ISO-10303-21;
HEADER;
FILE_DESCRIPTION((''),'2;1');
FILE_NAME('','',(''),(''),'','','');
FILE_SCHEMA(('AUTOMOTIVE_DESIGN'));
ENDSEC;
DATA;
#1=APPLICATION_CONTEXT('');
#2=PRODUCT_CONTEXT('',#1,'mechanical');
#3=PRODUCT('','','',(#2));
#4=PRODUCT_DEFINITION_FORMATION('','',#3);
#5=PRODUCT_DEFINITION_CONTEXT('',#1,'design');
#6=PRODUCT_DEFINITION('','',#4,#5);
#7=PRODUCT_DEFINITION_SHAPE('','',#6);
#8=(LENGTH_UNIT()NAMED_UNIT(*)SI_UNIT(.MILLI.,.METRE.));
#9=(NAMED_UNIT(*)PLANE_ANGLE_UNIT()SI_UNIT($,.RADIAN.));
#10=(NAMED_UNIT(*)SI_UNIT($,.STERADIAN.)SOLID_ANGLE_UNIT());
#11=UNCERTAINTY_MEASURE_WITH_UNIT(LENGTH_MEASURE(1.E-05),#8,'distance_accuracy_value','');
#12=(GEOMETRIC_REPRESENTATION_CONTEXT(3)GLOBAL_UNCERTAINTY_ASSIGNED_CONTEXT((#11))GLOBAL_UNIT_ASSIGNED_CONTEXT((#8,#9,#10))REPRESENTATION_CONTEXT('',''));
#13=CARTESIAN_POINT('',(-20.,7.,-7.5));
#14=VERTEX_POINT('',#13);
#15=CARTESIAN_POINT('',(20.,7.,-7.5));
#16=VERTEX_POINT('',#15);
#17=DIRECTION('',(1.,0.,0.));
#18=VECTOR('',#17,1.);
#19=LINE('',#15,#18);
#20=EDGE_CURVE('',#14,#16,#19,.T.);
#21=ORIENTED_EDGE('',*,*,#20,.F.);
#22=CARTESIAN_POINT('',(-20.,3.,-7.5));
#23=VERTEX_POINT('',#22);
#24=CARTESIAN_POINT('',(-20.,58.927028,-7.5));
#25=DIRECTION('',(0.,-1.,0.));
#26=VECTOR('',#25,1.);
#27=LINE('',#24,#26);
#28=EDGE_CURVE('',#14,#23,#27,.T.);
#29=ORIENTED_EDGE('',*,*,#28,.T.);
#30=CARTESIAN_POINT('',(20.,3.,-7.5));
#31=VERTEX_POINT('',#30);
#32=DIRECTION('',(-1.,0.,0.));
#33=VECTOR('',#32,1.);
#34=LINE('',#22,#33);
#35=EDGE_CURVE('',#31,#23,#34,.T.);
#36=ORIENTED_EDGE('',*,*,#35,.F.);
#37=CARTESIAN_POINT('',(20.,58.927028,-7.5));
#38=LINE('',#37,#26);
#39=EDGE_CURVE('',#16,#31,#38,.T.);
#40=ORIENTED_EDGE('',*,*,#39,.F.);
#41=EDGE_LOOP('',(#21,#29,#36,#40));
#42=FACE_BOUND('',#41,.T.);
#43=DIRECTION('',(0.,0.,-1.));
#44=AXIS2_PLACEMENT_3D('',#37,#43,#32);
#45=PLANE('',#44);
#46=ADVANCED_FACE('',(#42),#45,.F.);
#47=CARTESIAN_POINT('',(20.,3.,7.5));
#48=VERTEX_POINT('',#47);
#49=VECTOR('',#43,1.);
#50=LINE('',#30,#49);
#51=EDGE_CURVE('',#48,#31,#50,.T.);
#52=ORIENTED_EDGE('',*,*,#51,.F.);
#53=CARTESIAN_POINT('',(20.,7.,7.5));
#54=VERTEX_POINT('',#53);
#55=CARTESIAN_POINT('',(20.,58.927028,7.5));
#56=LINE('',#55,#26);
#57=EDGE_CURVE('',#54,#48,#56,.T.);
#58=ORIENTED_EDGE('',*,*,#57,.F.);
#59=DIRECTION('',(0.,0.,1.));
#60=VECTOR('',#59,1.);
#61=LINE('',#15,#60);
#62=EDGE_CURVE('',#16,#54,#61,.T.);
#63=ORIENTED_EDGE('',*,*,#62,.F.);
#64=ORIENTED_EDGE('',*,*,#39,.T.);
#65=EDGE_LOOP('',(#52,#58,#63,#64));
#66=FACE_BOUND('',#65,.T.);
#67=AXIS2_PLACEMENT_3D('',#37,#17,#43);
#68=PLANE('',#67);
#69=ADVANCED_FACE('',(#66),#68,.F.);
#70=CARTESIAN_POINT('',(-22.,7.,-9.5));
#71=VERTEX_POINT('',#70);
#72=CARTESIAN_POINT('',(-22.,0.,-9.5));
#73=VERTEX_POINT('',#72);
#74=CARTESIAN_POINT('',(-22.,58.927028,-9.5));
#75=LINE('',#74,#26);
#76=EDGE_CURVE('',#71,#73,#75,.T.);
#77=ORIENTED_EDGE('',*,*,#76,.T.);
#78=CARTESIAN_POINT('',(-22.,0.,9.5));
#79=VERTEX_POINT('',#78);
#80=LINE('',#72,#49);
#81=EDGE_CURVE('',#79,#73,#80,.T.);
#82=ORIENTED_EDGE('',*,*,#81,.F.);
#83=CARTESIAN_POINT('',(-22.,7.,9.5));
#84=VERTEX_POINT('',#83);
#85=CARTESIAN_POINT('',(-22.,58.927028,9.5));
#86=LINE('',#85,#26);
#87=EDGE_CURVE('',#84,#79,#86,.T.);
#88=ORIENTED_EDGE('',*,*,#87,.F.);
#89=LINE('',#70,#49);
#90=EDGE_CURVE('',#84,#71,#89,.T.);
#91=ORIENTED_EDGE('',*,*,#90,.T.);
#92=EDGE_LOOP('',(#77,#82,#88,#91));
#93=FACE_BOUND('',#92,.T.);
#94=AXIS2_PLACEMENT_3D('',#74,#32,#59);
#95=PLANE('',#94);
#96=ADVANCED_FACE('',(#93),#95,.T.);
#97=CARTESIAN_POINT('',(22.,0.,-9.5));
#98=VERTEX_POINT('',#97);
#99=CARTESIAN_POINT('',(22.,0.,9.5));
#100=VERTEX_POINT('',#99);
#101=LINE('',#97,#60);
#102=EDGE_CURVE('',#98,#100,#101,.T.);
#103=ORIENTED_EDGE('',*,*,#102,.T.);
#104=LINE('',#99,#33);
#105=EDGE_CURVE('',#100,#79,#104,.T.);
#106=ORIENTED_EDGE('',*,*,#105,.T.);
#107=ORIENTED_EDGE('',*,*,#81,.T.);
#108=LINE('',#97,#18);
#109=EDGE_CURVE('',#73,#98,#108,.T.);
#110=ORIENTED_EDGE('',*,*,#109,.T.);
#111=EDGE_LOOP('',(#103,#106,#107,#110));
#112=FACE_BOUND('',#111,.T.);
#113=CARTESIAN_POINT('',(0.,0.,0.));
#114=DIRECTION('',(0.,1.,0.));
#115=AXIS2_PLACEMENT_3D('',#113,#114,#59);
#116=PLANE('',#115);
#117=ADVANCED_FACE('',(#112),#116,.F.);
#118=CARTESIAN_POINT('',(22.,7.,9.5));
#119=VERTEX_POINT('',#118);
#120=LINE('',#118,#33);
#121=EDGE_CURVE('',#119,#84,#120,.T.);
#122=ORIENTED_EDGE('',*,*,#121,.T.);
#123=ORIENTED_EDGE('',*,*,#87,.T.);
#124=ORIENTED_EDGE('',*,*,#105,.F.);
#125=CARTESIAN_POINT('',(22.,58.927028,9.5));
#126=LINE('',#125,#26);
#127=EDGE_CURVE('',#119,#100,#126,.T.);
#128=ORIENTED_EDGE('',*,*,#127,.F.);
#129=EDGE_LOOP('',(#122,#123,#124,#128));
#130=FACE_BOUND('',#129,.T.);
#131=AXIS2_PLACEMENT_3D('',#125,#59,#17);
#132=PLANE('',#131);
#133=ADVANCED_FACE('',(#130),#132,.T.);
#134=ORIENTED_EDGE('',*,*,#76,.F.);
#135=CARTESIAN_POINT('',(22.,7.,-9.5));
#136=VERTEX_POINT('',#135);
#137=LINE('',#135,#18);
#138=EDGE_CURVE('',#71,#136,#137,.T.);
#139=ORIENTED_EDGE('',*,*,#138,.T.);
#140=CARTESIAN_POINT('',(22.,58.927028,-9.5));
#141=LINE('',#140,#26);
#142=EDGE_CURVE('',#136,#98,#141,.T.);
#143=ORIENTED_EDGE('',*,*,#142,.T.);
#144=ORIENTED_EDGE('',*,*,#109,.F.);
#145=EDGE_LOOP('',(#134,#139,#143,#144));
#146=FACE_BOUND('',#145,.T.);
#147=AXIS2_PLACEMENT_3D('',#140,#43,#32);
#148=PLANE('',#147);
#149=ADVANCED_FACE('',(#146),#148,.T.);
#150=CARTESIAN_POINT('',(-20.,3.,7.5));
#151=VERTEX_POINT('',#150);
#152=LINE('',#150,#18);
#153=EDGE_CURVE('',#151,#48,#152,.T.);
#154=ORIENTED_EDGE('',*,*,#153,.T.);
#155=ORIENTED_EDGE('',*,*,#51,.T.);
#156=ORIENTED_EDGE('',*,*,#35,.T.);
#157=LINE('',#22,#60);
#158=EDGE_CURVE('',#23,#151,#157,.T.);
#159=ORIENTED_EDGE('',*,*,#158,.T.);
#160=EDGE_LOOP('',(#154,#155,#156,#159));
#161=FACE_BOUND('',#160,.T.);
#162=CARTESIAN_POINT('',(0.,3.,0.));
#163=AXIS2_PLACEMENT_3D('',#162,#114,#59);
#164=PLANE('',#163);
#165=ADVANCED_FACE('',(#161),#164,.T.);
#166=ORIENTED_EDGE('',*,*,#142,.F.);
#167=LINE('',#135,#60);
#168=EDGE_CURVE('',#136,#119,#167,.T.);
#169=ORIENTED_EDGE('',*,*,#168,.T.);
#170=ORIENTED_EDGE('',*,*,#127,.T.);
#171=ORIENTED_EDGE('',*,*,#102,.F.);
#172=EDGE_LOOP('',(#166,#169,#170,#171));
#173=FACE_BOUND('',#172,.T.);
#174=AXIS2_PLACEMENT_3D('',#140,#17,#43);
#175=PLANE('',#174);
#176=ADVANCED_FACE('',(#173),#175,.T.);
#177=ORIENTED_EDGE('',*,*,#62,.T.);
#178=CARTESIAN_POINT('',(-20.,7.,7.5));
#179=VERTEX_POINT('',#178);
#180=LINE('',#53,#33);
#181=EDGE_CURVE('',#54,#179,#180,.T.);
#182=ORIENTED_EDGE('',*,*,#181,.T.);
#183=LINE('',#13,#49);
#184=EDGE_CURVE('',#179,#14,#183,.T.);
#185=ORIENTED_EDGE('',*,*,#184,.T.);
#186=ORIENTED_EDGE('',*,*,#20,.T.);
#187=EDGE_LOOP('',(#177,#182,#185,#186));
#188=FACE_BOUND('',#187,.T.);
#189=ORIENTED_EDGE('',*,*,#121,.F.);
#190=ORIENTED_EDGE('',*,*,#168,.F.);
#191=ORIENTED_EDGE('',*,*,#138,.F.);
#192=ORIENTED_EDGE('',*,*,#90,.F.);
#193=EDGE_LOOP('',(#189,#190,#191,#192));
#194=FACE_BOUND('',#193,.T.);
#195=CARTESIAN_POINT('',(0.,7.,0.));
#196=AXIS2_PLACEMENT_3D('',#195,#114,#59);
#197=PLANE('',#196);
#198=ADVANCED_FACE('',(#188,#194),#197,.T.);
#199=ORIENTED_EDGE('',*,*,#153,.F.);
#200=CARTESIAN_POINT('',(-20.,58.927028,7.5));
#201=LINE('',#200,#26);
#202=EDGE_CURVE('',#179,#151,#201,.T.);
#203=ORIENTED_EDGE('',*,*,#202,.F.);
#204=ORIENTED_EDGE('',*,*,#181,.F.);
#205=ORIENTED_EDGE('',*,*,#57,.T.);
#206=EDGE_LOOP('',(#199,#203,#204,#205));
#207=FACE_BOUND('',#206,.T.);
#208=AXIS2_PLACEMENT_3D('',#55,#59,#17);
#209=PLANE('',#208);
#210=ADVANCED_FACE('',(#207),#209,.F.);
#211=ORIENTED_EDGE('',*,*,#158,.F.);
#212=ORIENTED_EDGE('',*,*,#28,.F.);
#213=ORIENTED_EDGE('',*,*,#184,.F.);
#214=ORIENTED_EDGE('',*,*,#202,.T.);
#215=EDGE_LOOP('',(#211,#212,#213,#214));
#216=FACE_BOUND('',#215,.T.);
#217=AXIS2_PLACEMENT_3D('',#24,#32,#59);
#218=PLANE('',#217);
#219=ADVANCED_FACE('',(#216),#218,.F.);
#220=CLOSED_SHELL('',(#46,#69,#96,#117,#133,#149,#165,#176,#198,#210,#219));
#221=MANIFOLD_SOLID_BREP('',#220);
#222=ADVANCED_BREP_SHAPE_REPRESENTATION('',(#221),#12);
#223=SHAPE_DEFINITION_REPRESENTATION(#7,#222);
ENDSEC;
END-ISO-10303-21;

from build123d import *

# Parameters (mm, degrees)
SKETCH1_W           = 40
SKETCH1_H           = 15
BOSS_EXTRUDE1_DEPTH = 3
SKETCH2_W           = 44
SKETCH2_H           = 19
SKETCH2_W_2         = 40
SKETCH2_H_2         = 15
BOSS_EXTRUDE2_DEPTH = 7


with BuildPart() as part:
    # Sketch1 → Boss-Extrude1 (new body)
    with BuildSketch(Plane(origin=(0, 0, 0), x_dir=(1, 0, 0), z_dir=(0, 1, 0))):
        Rectangle(SKETCH1_W, SKETCH1_H)
    extrude(amount=BOSS_EXTRUDE1_DEPTH)

    # Sketch2 → Boss-Extrude2 (add)
    with BuildSketch(Plane.XZ):
        Rectangle(SKETCH2_W, SKETCH2_H)
        Rectangle(SKETCH2_W_2, SKETCH2_H_2, mode=Mode.SUBTRACT)
    extrude(amount=-BOSS_EXTRUDE2_DEPTH)


solid = part.part
